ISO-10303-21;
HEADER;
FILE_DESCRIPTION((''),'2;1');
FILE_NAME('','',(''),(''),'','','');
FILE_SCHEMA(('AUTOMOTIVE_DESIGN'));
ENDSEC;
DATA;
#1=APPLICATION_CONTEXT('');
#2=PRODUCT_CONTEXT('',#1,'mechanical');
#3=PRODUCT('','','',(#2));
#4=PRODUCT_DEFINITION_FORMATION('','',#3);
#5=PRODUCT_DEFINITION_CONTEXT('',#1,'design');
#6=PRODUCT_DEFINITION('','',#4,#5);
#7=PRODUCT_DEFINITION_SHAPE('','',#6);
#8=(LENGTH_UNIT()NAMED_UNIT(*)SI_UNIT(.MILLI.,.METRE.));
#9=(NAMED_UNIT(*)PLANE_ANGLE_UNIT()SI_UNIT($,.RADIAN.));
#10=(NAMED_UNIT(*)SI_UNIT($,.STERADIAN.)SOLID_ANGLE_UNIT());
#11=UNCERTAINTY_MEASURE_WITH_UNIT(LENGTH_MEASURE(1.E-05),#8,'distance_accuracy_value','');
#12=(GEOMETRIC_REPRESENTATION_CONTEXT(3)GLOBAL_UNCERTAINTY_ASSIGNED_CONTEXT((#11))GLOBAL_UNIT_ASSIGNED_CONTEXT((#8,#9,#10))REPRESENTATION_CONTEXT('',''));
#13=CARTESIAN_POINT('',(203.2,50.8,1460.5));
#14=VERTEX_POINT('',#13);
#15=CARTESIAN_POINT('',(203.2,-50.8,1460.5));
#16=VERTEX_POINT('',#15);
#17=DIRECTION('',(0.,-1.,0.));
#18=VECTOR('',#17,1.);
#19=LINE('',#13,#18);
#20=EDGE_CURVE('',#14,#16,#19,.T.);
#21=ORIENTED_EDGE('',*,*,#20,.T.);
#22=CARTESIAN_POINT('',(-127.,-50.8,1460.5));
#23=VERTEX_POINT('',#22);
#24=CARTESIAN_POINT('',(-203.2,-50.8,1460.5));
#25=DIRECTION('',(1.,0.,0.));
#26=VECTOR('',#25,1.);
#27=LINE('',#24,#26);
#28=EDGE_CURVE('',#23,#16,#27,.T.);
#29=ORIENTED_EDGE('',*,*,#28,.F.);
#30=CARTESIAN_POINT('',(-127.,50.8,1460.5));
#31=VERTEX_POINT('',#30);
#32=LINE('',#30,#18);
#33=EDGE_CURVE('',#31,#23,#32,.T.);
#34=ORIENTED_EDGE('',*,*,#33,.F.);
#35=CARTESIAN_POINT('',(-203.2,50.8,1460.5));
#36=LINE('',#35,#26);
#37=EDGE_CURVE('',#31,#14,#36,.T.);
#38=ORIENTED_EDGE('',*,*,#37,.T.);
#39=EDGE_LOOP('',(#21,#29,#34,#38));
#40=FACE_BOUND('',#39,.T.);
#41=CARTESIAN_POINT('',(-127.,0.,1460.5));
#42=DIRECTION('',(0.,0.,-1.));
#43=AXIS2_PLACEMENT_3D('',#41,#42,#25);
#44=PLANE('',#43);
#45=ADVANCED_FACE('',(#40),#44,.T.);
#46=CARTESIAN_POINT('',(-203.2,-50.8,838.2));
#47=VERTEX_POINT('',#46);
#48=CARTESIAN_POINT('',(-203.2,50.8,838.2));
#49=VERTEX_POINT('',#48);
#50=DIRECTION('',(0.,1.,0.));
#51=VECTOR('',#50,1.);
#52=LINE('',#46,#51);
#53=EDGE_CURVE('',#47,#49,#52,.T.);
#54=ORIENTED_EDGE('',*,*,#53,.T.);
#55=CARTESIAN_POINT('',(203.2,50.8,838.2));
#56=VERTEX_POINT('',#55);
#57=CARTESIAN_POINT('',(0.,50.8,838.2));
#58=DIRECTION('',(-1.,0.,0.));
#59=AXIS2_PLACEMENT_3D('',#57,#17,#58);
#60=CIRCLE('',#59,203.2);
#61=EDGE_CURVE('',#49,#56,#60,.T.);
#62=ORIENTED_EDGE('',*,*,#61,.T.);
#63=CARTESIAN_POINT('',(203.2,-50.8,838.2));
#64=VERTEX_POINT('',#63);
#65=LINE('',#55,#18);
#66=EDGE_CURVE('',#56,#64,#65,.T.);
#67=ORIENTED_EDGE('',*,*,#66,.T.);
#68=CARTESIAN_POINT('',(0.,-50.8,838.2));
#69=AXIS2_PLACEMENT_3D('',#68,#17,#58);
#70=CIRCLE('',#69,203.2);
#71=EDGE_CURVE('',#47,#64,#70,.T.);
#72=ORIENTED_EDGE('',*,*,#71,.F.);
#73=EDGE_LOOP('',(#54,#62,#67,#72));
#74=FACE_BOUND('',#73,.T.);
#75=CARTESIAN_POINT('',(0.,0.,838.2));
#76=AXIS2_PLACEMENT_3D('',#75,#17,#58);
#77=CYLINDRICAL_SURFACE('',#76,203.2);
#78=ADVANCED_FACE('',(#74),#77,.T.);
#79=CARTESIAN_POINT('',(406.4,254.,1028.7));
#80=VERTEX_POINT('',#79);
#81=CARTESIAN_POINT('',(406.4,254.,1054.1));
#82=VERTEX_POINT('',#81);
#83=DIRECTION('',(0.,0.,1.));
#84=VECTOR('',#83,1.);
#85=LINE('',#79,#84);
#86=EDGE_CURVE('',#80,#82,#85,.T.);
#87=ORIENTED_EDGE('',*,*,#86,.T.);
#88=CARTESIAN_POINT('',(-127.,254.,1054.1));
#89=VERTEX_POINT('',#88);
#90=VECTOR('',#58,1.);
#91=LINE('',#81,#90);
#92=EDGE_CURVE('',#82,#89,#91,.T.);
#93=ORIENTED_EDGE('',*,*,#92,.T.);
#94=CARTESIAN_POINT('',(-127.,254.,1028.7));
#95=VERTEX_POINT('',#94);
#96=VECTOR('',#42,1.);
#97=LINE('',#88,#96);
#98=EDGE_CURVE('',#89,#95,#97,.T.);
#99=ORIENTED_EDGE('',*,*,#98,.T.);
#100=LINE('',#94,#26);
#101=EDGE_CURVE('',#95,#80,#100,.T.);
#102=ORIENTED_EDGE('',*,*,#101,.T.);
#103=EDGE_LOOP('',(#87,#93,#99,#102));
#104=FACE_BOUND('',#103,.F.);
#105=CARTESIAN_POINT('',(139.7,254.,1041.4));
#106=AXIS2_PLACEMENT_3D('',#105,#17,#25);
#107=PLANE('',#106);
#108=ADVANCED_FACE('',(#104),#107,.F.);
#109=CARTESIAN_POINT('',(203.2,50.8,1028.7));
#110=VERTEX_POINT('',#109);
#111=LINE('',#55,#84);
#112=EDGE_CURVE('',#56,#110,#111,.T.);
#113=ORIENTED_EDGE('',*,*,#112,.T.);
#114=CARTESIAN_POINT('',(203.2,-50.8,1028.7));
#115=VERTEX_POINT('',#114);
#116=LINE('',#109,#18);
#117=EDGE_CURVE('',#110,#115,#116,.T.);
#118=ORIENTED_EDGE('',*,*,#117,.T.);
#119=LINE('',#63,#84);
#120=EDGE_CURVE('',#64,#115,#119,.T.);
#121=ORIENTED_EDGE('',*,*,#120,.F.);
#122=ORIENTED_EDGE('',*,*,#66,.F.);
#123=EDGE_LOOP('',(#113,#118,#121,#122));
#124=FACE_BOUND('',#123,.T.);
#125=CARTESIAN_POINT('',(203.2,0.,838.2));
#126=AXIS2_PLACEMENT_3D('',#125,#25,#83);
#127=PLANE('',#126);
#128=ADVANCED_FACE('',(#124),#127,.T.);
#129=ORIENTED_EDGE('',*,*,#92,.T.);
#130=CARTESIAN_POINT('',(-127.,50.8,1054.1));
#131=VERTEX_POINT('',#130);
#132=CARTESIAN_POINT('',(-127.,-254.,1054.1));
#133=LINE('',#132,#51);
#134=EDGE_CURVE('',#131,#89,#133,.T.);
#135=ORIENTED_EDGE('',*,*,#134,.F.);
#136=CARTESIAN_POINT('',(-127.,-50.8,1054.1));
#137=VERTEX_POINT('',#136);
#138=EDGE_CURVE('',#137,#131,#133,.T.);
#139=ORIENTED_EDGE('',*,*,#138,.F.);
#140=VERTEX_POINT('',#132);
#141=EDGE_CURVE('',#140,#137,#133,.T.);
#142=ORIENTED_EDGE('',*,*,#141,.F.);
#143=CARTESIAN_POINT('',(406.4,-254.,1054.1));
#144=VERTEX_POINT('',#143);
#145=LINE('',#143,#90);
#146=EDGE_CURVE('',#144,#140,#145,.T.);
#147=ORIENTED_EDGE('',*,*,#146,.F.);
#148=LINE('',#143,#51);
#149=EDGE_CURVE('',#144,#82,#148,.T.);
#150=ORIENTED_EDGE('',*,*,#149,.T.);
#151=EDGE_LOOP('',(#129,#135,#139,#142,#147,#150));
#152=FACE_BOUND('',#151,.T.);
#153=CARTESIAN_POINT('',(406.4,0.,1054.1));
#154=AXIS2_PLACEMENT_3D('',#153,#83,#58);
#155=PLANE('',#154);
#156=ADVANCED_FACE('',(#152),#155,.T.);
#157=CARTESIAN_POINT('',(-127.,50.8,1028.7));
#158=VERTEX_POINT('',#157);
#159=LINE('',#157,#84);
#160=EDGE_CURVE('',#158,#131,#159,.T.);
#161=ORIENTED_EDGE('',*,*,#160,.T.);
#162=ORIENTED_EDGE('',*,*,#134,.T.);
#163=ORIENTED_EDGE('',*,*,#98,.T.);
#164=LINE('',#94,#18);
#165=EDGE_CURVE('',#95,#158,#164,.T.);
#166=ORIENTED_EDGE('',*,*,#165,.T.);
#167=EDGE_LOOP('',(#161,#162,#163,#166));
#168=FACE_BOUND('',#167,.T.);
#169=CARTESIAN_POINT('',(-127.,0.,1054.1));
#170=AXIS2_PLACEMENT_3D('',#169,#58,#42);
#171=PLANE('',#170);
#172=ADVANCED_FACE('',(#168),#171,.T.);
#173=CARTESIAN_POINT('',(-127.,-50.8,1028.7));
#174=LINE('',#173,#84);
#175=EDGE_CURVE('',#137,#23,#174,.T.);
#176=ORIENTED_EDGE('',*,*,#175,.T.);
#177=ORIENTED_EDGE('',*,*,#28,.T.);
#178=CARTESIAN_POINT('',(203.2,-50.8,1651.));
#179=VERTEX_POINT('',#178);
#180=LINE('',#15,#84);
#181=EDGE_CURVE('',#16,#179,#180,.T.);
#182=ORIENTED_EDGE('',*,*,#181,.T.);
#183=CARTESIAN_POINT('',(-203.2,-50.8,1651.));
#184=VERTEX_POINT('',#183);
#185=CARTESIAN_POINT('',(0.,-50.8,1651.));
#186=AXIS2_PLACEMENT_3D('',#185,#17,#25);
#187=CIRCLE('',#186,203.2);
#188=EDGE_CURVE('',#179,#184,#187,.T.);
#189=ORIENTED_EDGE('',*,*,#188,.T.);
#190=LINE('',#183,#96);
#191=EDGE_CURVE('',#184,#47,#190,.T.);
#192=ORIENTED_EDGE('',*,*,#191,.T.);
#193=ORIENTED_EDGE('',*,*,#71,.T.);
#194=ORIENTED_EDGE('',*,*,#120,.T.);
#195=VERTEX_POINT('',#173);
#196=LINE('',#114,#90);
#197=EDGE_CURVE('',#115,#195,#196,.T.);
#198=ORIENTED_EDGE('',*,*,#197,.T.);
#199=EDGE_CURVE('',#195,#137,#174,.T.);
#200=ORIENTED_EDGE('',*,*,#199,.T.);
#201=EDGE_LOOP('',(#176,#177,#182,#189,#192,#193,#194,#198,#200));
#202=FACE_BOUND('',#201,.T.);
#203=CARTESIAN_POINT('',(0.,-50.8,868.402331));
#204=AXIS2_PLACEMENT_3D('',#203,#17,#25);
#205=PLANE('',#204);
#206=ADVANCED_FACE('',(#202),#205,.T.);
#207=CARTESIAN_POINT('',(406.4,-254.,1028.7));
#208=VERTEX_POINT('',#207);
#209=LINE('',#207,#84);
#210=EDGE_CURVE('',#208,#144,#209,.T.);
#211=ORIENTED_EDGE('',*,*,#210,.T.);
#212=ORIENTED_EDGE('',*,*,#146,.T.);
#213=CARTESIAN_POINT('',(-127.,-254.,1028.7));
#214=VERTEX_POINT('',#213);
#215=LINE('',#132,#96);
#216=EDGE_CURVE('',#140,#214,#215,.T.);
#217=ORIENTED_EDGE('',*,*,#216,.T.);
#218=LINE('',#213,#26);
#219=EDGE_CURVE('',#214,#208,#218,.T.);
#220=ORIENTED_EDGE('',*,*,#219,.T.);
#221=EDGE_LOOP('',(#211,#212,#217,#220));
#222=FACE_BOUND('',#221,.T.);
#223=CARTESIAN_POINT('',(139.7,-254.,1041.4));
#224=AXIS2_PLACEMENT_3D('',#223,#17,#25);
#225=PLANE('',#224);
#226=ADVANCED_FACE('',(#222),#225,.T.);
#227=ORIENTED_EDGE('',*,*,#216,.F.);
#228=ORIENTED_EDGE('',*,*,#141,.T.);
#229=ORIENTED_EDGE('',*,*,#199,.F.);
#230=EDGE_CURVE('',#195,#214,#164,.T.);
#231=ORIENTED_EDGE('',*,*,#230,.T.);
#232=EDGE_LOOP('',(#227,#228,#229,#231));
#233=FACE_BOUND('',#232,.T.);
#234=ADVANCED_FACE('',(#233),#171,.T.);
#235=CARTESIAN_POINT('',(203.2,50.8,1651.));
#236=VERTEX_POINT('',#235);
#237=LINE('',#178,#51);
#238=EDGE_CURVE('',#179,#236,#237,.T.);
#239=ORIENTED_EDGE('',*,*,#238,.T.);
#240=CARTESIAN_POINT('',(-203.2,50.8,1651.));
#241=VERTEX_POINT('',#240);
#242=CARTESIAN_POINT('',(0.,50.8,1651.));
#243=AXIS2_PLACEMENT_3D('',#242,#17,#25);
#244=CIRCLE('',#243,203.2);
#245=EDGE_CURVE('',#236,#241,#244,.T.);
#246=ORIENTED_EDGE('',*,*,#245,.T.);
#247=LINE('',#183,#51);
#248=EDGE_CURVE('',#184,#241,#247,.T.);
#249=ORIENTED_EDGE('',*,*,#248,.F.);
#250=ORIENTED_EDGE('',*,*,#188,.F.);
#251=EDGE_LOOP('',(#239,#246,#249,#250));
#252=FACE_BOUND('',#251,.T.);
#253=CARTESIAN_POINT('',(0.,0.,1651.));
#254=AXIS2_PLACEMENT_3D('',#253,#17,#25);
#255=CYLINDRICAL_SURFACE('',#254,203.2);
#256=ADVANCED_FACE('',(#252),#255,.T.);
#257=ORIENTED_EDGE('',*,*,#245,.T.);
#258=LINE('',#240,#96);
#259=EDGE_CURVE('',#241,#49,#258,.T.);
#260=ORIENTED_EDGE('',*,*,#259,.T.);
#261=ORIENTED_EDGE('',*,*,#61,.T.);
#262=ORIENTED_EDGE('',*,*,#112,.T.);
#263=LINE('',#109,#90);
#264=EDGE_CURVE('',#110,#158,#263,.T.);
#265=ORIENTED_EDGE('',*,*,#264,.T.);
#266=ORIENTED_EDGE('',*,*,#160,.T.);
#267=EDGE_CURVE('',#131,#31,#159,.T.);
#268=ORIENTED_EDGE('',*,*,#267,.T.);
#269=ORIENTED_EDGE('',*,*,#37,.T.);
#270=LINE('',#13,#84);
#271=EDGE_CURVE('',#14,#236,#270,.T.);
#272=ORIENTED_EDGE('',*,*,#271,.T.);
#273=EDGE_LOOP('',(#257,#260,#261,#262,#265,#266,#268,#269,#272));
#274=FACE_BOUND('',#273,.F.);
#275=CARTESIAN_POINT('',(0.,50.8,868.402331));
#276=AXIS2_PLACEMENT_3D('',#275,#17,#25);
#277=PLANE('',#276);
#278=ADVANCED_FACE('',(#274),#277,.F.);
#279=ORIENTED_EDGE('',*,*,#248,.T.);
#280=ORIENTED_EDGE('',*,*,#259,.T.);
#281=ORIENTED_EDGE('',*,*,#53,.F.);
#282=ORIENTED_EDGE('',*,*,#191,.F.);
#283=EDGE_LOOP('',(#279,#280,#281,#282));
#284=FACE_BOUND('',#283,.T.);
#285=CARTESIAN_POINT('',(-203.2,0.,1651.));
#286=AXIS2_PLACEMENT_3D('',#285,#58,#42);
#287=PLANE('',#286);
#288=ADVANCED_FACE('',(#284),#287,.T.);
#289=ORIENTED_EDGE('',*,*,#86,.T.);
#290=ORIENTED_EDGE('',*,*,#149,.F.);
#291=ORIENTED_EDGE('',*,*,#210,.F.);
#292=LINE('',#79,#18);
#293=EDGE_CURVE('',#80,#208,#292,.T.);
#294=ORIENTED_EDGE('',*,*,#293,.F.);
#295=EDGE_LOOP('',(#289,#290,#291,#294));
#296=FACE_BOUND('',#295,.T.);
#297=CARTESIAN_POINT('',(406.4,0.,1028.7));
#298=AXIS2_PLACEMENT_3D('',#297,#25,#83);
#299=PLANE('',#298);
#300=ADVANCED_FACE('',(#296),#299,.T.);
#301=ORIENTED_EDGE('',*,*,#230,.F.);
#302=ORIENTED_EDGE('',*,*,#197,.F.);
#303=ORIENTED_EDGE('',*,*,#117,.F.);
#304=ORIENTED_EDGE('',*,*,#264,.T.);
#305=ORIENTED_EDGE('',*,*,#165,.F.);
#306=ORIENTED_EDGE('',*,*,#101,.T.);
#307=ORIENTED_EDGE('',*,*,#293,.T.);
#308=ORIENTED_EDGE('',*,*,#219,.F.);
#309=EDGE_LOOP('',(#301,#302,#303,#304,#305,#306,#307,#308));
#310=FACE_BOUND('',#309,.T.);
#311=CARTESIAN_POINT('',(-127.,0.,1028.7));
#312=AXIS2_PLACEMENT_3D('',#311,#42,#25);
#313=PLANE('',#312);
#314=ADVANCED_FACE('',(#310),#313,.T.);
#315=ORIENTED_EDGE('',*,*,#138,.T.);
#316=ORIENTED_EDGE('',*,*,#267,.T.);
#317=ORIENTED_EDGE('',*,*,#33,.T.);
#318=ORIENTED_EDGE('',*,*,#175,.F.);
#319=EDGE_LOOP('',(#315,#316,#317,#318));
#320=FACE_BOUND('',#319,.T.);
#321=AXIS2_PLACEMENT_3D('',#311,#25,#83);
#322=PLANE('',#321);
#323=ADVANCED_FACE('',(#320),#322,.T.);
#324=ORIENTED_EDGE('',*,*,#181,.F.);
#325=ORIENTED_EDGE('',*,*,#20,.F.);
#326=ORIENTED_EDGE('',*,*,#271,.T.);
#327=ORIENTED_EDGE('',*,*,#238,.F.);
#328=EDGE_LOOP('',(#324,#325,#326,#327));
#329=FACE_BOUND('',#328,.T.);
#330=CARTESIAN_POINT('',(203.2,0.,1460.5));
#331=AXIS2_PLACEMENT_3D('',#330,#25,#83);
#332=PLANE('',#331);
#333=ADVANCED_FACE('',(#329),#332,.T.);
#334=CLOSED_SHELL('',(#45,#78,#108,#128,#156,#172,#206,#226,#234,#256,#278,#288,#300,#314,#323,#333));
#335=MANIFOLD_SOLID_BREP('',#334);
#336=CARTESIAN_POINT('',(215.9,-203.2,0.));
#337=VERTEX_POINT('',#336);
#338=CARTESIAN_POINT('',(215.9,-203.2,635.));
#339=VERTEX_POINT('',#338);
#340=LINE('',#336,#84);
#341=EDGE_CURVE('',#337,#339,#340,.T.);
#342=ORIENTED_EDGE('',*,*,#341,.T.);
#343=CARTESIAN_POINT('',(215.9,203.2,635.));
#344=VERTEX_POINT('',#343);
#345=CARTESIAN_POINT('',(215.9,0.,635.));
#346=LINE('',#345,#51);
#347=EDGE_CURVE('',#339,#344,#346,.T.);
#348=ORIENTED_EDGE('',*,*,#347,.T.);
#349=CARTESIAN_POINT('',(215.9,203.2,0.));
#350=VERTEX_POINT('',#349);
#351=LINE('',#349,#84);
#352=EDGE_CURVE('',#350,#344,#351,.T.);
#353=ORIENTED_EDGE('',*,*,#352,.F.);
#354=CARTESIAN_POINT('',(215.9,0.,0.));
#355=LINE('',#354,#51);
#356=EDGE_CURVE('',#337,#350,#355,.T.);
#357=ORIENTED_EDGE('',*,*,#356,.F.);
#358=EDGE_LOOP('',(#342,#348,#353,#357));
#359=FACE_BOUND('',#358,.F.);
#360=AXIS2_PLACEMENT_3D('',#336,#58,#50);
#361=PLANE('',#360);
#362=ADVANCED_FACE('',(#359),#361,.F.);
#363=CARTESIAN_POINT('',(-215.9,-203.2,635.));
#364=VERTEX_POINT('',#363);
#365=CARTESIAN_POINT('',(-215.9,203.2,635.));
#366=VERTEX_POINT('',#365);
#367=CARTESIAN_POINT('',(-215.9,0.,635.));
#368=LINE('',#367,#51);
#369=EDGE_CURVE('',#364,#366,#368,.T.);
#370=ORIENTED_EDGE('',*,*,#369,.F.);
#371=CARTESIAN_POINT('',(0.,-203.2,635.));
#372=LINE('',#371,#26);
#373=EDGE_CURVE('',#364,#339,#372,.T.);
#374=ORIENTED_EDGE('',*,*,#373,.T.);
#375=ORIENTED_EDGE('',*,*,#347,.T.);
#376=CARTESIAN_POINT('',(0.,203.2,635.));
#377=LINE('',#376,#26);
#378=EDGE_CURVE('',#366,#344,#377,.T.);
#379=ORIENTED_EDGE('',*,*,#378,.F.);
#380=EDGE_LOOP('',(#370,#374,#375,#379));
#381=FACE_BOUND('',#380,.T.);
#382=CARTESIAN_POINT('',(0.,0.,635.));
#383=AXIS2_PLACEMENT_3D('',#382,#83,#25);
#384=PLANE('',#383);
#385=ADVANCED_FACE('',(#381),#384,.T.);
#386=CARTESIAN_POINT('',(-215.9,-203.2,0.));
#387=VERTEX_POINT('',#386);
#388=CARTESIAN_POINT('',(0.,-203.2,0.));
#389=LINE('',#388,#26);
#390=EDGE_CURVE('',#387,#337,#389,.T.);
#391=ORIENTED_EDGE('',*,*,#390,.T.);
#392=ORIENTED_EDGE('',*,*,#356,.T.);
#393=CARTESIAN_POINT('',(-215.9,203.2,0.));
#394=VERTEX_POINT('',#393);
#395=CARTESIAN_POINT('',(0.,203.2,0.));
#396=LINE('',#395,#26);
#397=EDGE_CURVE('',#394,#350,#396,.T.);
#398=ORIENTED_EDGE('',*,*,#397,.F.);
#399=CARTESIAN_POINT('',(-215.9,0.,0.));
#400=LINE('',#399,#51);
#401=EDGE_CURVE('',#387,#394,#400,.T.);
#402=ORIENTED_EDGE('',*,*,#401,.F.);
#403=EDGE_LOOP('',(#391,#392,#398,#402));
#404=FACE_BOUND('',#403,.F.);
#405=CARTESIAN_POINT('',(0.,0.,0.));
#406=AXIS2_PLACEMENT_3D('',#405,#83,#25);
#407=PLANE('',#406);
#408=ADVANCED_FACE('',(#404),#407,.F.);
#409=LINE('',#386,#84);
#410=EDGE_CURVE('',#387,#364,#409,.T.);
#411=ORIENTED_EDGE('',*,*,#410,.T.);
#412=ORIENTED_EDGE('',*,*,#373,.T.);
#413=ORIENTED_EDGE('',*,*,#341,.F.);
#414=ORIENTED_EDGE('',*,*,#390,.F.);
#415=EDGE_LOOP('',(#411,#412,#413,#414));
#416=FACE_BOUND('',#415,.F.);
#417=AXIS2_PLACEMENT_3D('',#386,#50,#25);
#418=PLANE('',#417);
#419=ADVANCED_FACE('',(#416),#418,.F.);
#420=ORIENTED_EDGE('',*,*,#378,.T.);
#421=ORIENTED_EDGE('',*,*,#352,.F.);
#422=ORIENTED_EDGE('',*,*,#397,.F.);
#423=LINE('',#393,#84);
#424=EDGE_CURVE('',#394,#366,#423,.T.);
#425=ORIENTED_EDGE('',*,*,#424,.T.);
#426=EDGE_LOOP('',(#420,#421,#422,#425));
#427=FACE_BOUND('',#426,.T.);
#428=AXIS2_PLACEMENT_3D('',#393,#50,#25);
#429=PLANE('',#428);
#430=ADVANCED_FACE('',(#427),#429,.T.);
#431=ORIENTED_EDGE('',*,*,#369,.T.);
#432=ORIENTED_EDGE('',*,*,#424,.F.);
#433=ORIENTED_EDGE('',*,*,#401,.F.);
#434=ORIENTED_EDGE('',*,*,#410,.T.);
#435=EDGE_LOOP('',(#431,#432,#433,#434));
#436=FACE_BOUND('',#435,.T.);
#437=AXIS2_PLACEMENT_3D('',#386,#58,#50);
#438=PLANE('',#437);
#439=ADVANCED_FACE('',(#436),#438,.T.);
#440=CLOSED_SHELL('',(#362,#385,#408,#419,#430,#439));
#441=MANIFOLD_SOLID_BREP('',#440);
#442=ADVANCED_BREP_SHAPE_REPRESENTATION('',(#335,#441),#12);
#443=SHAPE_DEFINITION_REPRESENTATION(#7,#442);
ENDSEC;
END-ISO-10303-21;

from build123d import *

# Parameters (mm, degrees)
F0_W     = 431.8
F0_H     = 406.4
F1_DEPTH = 635
F2_R     = 177.8
F3_DEPTH = 50.8
F4_DEPTH = 254


with BuildPart() as f1:
    # F0 (on Top) → F1 (new body)
    with BuildSketch(Plane.XY):
        Rectangle(F0_W, F0_H)
    extrude(amount=F1_DEPTH)


with BuildPart() as f3:
    # F2 (on Front) → F3 (new body, symmetric)
    with BuildSketch(Plane.XZ):
        with BuildLine():
            Line((-127, 1028.7), (-203.2, 1028.7))
            Line((-203.2, 1028.7), (-203.2, 838.2))
            ThreePointArc((-203.2, 838.2), (0, 635), (203.2, 838.2))
            Line((203.2, 838.2), (203.2, 1028.7))
            Line((203.2, 1028.7), (-127, 1028.7))
        make_face()
        with Locations((0, 838.2)):
            Circle(F2_R, mode=Mode.SUBTRACT)
        with BuildLine():
            ThreePointArc((203.2, 1651), (0, 1854.2), (-203.2, 1651))
            Line((-203.2, 1651), (-203.2, 1460.5))
            Line((-203.2, 1460.5), (-127, 1460.5))
            Line((-127, 1460.5), (203.2, 1460.5))
            Line((203.2, 1460.5), (203.2, 1651))
        make_face()
        with Locations((0, 1651)):
            Circle(F2_R, mode=Mode.SUBTRACT)
        Polygon((-127, 1460.5), (-203.2, 1460.5), (-203.2, 1028.7), (-127, 1028.7), (-127, 1054.1), align=None)
        with Locations((0, 1651)):
            Circle(F2_R)
        with Locations((0, 838.2)):
            Circle(F2_R)
    extrude(amount=F3_DEPTH, both=True)

    # F2 (on Front) → F4 (join, symmetric)
    with BuildSketch(Plane.XZ):
        Polygon((-127, 1054.1), (-127, 1028.7), (203.2, 1028.7), (406.4, 1028.7), (406.4, 1054.1), align=None)
    extrude(amount=F4_DEPTH, both=True)


solid = Compound([f1.part, f3.part])
